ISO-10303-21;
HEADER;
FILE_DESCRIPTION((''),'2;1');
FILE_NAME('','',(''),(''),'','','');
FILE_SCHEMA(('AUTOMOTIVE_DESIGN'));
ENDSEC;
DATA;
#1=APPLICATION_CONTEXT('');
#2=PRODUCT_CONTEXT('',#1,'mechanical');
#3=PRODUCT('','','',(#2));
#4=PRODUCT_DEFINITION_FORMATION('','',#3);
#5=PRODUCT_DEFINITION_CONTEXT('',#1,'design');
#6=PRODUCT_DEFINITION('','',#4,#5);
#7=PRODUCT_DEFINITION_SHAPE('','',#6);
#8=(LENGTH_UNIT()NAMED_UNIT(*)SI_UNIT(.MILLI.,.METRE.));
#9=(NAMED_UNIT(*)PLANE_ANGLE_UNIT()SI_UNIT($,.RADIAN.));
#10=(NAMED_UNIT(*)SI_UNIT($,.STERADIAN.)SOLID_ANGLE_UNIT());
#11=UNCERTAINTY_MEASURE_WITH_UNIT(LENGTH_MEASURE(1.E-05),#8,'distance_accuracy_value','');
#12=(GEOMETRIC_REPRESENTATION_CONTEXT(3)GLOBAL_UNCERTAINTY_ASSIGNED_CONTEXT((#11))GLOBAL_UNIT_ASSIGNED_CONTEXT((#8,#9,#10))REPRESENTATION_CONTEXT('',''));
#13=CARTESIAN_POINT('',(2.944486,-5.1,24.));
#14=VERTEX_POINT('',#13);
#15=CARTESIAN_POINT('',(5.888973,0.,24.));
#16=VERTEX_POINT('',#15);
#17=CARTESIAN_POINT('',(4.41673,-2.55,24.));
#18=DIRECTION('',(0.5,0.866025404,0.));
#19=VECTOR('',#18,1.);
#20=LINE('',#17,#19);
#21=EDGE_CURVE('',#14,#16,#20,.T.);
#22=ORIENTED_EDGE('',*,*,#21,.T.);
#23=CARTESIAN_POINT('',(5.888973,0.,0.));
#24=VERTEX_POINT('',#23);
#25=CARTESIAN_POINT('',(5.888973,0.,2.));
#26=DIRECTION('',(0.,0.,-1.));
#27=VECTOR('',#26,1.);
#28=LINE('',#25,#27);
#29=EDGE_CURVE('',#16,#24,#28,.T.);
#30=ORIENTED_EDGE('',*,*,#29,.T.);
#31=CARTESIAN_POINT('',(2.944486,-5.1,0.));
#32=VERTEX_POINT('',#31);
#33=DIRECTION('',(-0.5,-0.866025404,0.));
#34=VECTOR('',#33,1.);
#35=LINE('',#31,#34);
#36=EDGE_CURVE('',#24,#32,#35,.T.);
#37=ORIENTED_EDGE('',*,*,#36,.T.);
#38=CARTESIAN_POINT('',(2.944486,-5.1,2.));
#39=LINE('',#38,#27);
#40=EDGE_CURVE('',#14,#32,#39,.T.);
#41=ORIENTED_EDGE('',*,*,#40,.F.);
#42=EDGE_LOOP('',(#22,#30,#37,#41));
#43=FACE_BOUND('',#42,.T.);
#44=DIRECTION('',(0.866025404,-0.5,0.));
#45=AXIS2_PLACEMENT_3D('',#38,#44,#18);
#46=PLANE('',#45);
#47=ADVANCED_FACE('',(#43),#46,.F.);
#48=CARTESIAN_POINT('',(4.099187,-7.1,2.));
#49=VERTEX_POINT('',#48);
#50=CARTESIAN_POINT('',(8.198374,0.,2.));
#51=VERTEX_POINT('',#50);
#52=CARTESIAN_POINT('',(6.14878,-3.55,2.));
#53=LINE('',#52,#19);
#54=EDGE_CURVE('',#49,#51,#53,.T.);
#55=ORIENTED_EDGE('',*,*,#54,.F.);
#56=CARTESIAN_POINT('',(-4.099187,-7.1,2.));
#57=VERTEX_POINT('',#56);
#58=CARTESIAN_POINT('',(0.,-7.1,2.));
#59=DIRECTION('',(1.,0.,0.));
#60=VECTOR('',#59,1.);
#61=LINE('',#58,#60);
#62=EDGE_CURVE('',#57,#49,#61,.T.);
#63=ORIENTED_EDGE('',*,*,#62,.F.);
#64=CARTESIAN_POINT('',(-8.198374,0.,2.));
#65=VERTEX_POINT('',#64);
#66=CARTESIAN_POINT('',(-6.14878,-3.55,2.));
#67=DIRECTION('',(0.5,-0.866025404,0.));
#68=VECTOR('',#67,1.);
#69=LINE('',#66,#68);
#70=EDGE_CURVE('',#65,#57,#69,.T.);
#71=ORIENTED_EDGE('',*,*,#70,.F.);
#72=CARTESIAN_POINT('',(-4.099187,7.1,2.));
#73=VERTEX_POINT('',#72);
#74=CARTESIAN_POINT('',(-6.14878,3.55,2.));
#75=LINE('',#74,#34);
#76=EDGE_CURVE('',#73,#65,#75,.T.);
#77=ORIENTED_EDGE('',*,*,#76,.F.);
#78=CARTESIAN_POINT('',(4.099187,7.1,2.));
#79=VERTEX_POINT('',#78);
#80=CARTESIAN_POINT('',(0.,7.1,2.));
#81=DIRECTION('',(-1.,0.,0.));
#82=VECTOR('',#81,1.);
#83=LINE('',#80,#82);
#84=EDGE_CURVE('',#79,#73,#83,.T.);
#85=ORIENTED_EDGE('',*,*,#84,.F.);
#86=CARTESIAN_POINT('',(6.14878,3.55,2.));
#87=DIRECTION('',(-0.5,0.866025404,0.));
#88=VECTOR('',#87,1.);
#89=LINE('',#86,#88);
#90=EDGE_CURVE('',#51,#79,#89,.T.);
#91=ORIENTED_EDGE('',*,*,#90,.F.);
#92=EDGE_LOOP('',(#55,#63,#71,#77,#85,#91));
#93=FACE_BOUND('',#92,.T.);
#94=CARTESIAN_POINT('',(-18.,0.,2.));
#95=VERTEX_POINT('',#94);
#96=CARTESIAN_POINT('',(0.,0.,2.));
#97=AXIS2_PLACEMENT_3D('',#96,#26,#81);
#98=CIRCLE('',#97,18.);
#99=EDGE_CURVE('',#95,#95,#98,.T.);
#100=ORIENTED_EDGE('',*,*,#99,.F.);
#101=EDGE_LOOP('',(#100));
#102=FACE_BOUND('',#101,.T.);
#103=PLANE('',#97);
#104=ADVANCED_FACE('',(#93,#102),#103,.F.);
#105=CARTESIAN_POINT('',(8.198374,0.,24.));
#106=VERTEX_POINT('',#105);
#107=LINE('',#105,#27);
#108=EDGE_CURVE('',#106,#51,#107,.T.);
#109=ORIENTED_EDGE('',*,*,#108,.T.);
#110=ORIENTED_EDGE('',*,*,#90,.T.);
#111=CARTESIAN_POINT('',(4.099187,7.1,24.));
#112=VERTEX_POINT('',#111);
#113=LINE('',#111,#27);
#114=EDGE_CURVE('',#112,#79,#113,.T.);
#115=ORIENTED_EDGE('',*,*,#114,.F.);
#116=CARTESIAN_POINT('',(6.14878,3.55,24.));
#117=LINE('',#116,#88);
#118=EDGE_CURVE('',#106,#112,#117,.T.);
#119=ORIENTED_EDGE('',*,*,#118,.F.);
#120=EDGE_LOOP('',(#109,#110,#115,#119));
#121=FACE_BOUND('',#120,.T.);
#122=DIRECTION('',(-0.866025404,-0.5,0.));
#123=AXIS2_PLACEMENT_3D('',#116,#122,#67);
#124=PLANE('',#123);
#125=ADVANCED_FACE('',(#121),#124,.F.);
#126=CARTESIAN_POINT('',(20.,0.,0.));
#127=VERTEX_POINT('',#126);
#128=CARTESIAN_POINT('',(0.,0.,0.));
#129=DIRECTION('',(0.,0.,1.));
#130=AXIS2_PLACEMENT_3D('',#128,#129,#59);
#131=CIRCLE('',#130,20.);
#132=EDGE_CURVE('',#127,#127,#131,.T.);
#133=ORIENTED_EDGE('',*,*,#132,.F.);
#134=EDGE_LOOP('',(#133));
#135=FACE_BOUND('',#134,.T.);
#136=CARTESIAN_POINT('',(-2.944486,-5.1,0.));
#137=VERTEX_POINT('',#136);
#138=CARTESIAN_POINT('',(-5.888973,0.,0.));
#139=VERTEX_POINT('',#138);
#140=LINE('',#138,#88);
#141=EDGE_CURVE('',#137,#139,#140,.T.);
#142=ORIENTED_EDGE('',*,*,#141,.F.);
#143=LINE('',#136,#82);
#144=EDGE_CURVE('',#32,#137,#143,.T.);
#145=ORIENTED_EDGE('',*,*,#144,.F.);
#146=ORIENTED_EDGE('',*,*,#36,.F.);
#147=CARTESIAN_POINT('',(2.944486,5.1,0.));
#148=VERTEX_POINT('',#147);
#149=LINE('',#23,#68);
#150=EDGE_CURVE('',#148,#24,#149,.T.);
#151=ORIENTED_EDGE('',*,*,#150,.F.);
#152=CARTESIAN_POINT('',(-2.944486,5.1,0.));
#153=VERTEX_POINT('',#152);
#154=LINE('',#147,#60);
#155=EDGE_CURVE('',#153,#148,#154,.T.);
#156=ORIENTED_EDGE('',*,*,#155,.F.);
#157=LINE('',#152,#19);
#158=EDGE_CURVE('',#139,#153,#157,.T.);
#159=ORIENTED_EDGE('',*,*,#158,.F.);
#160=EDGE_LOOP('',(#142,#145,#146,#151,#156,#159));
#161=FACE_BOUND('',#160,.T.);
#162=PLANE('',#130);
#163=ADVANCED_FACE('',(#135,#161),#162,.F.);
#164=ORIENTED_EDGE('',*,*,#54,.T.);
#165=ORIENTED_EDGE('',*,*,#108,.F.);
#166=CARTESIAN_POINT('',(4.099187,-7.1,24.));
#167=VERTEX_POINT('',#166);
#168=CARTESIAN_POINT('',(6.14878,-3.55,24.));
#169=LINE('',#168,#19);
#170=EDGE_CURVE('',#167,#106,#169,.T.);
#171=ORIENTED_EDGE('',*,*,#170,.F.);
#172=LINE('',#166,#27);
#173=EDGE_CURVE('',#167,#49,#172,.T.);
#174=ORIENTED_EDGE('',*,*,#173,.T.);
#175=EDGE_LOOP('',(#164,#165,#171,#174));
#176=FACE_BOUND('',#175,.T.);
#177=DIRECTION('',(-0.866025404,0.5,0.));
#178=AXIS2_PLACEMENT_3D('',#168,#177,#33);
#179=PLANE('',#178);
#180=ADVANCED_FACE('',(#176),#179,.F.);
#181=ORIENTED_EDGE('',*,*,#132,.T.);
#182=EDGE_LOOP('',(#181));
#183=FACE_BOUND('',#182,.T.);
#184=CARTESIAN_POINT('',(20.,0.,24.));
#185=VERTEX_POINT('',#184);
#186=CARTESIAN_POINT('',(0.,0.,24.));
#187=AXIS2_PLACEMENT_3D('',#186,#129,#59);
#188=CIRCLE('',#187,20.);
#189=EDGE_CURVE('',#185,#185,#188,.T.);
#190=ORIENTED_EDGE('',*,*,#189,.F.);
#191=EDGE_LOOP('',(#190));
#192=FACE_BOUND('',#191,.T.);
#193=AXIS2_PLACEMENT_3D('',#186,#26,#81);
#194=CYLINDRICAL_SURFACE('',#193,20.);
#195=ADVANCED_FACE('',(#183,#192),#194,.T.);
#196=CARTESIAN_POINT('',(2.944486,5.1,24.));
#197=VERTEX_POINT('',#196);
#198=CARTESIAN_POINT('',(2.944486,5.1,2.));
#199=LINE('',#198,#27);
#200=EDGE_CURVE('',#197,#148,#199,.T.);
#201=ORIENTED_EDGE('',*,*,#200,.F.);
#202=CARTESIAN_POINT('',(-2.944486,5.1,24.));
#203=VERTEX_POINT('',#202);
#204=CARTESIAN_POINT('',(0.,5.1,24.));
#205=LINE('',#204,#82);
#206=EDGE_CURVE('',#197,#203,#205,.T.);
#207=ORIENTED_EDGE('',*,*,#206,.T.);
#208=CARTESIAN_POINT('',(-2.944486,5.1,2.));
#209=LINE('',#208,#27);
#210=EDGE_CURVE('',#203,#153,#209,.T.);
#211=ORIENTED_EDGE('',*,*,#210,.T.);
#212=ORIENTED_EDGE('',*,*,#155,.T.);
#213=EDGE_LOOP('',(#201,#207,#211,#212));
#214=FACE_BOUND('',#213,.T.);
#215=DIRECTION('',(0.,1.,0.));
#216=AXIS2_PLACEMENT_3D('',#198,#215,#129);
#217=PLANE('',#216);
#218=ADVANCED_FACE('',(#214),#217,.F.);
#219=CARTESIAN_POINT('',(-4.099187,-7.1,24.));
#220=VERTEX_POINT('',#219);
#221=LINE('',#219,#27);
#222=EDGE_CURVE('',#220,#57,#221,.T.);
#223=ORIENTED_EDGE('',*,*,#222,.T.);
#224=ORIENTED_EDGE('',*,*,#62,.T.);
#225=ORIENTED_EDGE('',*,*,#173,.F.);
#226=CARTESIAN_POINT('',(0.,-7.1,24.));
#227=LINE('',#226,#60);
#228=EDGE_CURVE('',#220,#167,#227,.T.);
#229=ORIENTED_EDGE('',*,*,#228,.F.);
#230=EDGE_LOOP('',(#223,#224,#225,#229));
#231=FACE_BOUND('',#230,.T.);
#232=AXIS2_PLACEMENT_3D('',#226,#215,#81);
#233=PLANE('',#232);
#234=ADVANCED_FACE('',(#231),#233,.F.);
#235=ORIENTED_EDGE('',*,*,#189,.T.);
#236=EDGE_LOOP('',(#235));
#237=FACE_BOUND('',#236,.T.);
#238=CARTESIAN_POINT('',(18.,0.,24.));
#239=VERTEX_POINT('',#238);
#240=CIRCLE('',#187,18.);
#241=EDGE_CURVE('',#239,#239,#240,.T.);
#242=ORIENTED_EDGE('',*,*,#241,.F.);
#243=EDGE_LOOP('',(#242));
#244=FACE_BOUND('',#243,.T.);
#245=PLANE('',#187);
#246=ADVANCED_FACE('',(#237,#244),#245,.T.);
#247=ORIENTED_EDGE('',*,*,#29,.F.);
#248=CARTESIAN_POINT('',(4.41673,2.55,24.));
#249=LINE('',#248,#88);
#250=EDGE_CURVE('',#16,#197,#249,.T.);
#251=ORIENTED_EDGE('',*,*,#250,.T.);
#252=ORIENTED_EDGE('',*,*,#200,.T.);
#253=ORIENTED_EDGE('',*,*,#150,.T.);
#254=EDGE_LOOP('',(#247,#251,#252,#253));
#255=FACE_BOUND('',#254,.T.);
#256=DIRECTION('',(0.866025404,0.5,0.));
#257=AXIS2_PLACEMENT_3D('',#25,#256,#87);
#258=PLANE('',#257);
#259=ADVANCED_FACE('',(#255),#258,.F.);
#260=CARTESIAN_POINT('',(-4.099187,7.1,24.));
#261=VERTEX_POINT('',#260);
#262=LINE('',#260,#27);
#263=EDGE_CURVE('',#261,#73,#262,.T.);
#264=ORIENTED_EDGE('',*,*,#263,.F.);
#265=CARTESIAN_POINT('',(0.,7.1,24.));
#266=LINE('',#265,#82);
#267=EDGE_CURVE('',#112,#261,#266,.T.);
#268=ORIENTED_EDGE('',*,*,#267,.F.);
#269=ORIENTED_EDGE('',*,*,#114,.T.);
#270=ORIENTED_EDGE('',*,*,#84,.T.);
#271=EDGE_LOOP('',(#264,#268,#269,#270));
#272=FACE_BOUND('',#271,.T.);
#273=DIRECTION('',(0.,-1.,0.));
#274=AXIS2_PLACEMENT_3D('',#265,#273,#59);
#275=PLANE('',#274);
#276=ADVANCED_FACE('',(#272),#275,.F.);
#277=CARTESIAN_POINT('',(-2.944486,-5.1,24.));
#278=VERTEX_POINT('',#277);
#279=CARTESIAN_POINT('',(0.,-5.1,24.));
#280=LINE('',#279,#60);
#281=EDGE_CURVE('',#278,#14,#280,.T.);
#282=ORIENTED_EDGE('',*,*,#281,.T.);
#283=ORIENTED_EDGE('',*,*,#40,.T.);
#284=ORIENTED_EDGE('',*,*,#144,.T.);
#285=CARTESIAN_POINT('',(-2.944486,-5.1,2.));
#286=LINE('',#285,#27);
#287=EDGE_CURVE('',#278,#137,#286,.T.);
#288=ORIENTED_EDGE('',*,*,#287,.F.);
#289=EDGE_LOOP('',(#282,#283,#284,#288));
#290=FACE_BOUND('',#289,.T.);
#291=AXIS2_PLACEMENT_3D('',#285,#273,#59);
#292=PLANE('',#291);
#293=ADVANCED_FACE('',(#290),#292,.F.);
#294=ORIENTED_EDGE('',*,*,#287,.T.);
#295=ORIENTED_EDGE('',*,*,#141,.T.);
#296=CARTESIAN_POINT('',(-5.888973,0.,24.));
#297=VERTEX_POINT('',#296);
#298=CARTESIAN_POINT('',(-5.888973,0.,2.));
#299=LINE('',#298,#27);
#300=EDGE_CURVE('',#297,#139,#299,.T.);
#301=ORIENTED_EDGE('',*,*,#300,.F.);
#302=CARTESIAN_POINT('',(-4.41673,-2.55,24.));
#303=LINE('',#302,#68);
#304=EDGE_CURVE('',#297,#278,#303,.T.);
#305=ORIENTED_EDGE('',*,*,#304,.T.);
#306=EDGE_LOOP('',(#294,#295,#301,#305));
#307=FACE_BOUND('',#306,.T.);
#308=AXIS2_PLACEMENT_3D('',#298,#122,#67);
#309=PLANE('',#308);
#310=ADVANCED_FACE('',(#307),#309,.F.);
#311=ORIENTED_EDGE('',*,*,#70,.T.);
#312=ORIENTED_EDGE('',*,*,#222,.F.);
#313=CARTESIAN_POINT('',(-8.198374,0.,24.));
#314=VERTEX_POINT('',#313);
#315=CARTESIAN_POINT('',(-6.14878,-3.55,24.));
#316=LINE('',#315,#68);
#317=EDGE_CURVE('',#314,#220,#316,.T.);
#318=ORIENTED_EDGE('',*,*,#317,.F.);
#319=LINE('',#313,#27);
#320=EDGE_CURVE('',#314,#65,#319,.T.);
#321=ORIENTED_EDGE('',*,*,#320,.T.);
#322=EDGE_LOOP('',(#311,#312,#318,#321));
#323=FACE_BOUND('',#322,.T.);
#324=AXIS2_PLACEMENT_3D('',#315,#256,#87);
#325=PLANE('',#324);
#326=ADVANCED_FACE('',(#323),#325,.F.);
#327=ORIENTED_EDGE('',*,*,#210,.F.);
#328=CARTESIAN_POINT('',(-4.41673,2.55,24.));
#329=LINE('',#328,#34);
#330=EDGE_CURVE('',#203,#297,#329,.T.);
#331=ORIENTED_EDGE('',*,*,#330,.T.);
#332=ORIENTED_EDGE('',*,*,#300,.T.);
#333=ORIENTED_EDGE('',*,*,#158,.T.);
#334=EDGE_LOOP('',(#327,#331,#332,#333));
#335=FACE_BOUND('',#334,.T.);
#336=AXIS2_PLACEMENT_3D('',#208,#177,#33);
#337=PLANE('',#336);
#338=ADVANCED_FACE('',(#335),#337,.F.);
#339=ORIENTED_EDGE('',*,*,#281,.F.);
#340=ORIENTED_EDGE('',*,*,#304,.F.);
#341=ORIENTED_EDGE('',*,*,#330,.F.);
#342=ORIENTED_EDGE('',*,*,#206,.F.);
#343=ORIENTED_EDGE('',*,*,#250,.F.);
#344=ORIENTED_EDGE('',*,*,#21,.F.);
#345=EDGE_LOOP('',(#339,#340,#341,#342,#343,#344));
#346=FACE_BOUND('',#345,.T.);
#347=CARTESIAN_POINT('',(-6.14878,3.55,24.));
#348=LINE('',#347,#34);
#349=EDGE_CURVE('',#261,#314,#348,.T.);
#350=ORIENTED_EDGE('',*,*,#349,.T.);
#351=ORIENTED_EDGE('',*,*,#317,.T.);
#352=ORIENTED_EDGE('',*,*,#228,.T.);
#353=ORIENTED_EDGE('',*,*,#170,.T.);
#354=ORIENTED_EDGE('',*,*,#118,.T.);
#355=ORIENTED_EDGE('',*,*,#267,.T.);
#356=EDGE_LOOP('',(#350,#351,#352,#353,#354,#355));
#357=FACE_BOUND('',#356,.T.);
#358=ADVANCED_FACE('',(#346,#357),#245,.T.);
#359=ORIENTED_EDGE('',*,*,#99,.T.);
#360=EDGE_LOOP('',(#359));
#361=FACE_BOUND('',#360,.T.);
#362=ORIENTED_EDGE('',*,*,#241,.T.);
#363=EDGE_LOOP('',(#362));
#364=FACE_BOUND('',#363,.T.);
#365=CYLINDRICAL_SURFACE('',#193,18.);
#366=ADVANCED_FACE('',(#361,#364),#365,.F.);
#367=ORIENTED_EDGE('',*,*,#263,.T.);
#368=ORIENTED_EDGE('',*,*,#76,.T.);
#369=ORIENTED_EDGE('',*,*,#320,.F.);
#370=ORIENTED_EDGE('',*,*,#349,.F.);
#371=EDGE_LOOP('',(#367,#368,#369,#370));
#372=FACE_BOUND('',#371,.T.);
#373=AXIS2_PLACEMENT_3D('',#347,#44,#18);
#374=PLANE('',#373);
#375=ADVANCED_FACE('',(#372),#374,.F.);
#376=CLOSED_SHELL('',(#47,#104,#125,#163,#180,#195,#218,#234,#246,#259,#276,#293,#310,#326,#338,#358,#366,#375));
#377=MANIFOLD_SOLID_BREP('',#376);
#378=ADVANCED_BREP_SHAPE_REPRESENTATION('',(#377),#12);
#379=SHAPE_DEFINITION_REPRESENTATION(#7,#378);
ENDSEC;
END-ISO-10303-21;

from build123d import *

# Parameters (mm, degrees)
SKETCH_1_R        = 20
SKETCH_1_R_2      = 18
EXTRUDE_1_DEPTH   = 24
EXTRUDE_1_2_DEPTH = 24
SKETCH_2_R        = 20
EXTRUDE_2_DEPTH   = 2


with BuildPart() as part:
    # 草图1 → 凸台-拉伸1 (new body)
    with BuildSketch(Plane.XY):
        Circle(SKETCH_1_R)
        Circle(SKETCH_1_R_2, mode=Mode.SUBTRACT)
    extrude(amount=EXTRUDE_1_DEPTH)



with BuildPart() as body_2:
    # 草图1 → Extrude 1 2 (new body)
    with BuildSketch(Plane.XY):
        Polygon((4.099186911, -7.1), (8.198373822, 0), (4.099186911, 7.1), (-4.099186911, 7.1), (-8.198373822, 0), (-4.099186911, -7.1), align=None)
        Polygon((2.944486373, -5.1), (5.888972746, 0), (2.944486373, 5.1), (-2.944486373, 5.1), (-5.888972746, 0), (-2.944486373, -5.1), align=None, mode=Mode.SUBTRACT)
    extrude(amount=EXTRUDE_1_2_DEPTH)


with BuildPart() as part_1:
    add(part.part)

    add(body_2.part)  # 凸台-拉伸2 merges body 2
    # 草图2 → 凸台-拉伸2 (add)
    with BuildSketch(Plane(origin=(0, 0, 0), x_dir=(-1, 0, 0), z_dir=(0, 0, -1))):
        with Locations(Location((0, 0, 0), (0, 0, 180))):
            Circle(SKETCH_2_R)
        Polygon((2.944486373, 5.1), (5.888972746, 0), (2.944486373, -5.1), (-2.944486373, -5.1), (-5.888972746, 0), (-2.944486373, 5.1), align=None, mode=Mode.SUBTRACT)
    extrude(amount=-EXTRUDE_2_DEPTH)


solid = part_1.part
